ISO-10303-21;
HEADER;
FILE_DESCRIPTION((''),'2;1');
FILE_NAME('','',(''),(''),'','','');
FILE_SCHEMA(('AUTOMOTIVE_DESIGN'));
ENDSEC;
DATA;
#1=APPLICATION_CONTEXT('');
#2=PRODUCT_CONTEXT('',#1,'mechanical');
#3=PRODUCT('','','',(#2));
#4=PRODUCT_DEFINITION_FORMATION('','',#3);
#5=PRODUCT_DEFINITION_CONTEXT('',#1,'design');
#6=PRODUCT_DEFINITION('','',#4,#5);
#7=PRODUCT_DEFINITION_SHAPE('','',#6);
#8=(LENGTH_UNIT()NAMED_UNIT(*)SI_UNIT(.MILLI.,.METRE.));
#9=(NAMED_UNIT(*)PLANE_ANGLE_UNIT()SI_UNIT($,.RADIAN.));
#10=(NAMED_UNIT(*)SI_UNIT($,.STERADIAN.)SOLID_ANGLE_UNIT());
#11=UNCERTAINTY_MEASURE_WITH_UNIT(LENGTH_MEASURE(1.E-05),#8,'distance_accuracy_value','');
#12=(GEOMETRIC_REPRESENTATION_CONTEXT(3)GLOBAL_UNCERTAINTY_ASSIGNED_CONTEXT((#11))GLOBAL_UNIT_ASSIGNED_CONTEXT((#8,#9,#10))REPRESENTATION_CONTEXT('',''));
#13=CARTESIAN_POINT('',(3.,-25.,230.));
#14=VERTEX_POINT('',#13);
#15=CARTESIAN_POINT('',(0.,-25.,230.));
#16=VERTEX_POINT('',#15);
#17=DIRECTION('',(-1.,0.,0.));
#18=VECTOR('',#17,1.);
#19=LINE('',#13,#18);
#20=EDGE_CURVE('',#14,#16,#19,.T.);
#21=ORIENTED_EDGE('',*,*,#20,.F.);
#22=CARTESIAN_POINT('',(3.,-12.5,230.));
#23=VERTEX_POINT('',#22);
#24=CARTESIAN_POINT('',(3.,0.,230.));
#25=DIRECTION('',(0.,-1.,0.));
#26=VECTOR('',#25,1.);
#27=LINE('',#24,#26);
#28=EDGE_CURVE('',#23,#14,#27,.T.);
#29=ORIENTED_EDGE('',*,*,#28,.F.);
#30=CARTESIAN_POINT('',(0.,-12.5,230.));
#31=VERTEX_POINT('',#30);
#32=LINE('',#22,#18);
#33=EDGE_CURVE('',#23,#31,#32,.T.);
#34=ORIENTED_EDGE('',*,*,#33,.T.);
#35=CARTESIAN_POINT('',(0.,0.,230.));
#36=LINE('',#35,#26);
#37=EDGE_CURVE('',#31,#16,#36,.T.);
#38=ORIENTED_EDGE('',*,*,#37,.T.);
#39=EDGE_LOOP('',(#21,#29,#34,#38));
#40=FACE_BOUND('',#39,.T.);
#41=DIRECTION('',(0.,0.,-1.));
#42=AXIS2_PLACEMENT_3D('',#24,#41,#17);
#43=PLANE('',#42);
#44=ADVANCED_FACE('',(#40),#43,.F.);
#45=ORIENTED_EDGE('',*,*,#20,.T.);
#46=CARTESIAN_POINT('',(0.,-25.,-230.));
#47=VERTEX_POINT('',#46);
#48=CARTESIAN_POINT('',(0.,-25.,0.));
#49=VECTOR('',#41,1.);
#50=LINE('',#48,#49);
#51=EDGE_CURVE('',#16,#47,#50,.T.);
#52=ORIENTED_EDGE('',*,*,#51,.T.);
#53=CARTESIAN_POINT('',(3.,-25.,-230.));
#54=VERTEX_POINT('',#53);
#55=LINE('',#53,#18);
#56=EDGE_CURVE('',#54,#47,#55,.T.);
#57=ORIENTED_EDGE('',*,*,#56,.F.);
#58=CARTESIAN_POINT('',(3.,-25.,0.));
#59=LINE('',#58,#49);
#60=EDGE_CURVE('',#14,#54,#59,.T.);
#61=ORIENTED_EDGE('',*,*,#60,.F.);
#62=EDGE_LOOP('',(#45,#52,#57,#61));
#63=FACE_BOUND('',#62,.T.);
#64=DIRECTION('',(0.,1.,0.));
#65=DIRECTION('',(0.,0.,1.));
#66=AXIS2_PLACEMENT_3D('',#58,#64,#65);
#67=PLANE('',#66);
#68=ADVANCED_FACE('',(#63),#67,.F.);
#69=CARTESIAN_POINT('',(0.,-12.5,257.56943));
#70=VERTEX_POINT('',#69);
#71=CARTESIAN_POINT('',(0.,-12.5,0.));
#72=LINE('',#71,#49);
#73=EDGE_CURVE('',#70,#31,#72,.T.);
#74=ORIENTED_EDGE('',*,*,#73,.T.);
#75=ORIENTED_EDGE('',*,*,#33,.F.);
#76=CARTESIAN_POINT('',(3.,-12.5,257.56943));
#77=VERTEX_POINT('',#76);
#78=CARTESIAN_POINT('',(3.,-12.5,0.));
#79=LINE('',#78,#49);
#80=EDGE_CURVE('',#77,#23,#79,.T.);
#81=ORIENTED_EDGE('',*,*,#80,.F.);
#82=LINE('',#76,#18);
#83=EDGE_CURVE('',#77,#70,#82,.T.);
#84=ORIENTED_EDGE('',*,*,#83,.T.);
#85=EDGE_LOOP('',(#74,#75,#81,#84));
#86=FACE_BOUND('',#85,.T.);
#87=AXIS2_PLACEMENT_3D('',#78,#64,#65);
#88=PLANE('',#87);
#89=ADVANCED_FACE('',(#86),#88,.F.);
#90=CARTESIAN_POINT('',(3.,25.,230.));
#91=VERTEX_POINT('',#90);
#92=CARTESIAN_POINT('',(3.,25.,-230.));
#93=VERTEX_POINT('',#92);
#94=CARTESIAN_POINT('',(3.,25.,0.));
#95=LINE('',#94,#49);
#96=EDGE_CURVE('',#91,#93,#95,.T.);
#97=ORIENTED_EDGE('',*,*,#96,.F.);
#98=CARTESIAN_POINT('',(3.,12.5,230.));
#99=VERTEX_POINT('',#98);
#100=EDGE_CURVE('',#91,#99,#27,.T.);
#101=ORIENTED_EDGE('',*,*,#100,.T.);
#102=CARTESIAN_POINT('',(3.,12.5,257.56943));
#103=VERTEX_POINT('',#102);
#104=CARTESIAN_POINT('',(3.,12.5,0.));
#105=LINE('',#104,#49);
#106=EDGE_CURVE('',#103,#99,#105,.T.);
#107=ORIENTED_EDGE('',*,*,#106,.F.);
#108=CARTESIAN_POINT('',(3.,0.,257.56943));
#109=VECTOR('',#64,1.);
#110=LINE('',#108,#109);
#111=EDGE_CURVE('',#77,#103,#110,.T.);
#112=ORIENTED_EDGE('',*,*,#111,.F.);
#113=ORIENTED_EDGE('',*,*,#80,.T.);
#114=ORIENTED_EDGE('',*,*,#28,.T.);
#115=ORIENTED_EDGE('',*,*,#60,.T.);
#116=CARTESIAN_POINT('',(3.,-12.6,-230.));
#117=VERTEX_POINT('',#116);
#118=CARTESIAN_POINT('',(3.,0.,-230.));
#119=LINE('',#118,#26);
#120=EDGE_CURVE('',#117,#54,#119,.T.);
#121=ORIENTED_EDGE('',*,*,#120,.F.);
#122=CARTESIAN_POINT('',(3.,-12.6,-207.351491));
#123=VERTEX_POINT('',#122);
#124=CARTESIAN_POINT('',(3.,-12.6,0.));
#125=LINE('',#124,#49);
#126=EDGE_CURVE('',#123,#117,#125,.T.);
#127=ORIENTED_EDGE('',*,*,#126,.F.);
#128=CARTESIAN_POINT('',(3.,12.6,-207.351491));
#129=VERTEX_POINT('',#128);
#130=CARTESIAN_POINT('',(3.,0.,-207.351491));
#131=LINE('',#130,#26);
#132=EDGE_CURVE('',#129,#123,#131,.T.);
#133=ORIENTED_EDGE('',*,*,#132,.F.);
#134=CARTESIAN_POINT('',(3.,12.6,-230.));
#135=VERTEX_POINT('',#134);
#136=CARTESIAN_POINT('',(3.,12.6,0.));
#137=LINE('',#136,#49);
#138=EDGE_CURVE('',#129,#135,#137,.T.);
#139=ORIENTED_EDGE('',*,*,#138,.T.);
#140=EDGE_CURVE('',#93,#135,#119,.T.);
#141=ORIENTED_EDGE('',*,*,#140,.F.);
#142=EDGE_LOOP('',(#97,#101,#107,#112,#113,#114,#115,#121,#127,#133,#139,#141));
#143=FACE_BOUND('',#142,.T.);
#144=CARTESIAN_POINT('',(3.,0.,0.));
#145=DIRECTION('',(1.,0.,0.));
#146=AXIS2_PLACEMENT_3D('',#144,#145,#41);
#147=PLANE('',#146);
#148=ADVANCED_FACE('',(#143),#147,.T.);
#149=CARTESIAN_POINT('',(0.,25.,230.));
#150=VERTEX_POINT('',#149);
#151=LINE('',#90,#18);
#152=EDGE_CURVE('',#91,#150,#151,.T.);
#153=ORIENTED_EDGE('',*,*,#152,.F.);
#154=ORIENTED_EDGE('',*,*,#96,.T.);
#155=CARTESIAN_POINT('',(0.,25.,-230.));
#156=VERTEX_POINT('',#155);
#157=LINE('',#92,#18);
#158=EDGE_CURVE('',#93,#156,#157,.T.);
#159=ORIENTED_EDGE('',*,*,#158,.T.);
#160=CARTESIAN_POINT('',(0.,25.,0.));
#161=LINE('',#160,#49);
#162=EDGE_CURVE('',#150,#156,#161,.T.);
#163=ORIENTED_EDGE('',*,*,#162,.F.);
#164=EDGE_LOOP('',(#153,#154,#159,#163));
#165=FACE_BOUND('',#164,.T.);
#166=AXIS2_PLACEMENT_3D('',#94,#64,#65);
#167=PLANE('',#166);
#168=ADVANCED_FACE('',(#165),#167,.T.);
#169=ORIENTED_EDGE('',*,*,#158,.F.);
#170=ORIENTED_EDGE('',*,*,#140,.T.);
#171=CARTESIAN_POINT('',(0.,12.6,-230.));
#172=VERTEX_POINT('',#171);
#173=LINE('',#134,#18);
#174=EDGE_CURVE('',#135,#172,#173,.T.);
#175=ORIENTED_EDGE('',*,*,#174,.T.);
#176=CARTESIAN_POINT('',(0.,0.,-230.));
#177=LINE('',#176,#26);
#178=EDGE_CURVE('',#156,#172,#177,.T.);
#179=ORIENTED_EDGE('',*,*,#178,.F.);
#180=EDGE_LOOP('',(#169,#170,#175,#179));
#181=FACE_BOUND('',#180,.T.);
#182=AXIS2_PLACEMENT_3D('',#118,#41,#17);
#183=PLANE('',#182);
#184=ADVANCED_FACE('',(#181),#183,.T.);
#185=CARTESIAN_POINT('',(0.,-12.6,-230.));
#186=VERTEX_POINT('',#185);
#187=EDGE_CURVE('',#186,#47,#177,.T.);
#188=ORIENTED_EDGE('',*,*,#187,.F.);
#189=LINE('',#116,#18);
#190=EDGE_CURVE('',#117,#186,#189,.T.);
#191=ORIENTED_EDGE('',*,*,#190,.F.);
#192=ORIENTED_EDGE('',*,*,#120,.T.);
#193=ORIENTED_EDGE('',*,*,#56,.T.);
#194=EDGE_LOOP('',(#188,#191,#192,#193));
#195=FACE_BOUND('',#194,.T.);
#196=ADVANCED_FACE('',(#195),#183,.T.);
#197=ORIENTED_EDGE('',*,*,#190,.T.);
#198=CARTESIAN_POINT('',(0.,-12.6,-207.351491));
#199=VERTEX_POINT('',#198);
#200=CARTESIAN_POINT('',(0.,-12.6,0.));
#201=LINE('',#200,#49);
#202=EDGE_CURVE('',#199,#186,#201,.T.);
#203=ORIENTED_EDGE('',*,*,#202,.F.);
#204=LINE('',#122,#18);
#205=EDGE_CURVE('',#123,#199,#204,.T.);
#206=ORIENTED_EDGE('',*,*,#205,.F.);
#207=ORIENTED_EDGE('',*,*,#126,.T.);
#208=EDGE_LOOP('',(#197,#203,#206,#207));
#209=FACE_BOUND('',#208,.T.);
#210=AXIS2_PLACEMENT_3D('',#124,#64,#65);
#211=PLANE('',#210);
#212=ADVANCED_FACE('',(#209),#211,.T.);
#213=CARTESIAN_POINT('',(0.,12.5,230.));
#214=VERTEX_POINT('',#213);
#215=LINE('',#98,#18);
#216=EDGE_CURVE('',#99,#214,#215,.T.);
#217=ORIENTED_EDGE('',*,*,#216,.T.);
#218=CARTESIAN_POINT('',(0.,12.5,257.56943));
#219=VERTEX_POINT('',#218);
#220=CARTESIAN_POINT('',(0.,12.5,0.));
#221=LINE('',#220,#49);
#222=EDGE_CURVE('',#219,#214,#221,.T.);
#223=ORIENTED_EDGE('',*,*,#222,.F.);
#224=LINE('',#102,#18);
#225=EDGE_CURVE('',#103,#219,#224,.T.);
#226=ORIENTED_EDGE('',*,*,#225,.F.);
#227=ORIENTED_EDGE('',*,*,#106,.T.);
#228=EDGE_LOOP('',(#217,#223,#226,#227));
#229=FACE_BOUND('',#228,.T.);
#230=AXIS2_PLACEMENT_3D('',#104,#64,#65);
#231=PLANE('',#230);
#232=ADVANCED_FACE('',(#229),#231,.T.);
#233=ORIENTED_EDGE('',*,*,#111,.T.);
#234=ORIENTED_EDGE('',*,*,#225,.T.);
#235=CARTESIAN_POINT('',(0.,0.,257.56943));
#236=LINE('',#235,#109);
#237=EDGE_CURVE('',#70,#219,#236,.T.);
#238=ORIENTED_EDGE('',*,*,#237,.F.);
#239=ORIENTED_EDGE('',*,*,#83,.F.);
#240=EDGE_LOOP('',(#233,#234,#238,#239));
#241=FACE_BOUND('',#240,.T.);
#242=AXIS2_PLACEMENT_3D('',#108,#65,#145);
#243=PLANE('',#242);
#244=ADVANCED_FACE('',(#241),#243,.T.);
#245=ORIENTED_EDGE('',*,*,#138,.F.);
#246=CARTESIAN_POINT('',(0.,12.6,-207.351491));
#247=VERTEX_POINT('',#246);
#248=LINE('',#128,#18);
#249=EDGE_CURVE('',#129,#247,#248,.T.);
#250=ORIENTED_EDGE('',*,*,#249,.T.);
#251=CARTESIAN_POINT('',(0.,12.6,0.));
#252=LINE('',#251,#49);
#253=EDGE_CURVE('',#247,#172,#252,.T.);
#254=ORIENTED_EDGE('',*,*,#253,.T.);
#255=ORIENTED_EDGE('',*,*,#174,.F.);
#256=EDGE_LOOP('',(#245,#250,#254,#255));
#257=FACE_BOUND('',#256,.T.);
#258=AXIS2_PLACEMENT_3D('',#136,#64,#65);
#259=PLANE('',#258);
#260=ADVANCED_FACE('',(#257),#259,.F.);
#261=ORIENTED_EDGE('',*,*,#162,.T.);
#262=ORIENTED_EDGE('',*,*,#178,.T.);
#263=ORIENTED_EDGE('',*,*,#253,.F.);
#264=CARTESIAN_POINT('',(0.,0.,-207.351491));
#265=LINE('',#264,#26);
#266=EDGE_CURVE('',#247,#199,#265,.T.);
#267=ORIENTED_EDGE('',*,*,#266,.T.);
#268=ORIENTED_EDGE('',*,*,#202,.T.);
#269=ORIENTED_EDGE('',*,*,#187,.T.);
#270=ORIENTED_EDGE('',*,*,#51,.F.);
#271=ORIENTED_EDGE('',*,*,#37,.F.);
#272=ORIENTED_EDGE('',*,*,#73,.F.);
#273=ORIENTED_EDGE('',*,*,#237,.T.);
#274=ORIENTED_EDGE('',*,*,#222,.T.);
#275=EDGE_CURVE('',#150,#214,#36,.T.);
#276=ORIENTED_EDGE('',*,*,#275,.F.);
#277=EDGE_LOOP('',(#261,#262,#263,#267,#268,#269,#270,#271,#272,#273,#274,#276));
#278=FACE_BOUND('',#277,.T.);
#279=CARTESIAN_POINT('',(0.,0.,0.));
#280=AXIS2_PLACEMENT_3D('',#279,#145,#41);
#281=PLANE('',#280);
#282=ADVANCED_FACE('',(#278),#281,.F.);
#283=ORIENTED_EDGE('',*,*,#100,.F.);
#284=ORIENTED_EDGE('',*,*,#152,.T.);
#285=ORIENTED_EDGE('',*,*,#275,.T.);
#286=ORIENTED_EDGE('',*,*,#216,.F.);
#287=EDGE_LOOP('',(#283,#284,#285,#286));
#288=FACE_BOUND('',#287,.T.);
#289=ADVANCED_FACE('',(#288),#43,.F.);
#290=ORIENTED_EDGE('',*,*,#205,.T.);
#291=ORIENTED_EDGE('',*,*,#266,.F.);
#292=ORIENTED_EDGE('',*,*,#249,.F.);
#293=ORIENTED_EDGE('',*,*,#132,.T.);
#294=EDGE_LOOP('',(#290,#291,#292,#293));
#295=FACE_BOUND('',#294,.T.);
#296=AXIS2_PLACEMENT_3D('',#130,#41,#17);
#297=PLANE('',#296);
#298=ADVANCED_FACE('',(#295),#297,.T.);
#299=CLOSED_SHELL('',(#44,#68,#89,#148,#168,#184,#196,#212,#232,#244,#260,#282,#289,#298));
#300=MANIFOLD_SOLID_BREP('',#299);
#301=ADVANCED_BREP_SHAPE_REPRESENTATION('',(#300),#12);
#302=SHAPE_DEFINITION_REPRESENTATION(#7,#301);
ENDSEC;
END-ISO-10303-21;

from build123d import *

# Parameters (mm, degrees)
ESQUISSE2_W        = 27.56942971
ESQUISSE2_H        = 25
BOSS_EXTRU_3_DEPTH = 3


with BuildPart() as part:
    # Esquisse2 → Boss.-Extru.3 (new body)
    with BuildSketch(Plane(origin=(0, 0, 0), x_dir=(0, 0, -1), z_dir=(1, 0, 0))):
        with Locations((-243.784714855, 0)):
            Rectangle(ESQUISSE2_W, ESQUISSE2_H)
        Polygon((230, 25), (-230, 25), (-230, 12.5), (-230, -12.5), (-230, -25), (230, -25), (230, -12.6), (207.351490585, -12.6), (207.351490585, 12.6), (230, 12.6), align=None)
    extrude(amount=BOSS_EXTRU_3_DEPTH)


solid = part.part
